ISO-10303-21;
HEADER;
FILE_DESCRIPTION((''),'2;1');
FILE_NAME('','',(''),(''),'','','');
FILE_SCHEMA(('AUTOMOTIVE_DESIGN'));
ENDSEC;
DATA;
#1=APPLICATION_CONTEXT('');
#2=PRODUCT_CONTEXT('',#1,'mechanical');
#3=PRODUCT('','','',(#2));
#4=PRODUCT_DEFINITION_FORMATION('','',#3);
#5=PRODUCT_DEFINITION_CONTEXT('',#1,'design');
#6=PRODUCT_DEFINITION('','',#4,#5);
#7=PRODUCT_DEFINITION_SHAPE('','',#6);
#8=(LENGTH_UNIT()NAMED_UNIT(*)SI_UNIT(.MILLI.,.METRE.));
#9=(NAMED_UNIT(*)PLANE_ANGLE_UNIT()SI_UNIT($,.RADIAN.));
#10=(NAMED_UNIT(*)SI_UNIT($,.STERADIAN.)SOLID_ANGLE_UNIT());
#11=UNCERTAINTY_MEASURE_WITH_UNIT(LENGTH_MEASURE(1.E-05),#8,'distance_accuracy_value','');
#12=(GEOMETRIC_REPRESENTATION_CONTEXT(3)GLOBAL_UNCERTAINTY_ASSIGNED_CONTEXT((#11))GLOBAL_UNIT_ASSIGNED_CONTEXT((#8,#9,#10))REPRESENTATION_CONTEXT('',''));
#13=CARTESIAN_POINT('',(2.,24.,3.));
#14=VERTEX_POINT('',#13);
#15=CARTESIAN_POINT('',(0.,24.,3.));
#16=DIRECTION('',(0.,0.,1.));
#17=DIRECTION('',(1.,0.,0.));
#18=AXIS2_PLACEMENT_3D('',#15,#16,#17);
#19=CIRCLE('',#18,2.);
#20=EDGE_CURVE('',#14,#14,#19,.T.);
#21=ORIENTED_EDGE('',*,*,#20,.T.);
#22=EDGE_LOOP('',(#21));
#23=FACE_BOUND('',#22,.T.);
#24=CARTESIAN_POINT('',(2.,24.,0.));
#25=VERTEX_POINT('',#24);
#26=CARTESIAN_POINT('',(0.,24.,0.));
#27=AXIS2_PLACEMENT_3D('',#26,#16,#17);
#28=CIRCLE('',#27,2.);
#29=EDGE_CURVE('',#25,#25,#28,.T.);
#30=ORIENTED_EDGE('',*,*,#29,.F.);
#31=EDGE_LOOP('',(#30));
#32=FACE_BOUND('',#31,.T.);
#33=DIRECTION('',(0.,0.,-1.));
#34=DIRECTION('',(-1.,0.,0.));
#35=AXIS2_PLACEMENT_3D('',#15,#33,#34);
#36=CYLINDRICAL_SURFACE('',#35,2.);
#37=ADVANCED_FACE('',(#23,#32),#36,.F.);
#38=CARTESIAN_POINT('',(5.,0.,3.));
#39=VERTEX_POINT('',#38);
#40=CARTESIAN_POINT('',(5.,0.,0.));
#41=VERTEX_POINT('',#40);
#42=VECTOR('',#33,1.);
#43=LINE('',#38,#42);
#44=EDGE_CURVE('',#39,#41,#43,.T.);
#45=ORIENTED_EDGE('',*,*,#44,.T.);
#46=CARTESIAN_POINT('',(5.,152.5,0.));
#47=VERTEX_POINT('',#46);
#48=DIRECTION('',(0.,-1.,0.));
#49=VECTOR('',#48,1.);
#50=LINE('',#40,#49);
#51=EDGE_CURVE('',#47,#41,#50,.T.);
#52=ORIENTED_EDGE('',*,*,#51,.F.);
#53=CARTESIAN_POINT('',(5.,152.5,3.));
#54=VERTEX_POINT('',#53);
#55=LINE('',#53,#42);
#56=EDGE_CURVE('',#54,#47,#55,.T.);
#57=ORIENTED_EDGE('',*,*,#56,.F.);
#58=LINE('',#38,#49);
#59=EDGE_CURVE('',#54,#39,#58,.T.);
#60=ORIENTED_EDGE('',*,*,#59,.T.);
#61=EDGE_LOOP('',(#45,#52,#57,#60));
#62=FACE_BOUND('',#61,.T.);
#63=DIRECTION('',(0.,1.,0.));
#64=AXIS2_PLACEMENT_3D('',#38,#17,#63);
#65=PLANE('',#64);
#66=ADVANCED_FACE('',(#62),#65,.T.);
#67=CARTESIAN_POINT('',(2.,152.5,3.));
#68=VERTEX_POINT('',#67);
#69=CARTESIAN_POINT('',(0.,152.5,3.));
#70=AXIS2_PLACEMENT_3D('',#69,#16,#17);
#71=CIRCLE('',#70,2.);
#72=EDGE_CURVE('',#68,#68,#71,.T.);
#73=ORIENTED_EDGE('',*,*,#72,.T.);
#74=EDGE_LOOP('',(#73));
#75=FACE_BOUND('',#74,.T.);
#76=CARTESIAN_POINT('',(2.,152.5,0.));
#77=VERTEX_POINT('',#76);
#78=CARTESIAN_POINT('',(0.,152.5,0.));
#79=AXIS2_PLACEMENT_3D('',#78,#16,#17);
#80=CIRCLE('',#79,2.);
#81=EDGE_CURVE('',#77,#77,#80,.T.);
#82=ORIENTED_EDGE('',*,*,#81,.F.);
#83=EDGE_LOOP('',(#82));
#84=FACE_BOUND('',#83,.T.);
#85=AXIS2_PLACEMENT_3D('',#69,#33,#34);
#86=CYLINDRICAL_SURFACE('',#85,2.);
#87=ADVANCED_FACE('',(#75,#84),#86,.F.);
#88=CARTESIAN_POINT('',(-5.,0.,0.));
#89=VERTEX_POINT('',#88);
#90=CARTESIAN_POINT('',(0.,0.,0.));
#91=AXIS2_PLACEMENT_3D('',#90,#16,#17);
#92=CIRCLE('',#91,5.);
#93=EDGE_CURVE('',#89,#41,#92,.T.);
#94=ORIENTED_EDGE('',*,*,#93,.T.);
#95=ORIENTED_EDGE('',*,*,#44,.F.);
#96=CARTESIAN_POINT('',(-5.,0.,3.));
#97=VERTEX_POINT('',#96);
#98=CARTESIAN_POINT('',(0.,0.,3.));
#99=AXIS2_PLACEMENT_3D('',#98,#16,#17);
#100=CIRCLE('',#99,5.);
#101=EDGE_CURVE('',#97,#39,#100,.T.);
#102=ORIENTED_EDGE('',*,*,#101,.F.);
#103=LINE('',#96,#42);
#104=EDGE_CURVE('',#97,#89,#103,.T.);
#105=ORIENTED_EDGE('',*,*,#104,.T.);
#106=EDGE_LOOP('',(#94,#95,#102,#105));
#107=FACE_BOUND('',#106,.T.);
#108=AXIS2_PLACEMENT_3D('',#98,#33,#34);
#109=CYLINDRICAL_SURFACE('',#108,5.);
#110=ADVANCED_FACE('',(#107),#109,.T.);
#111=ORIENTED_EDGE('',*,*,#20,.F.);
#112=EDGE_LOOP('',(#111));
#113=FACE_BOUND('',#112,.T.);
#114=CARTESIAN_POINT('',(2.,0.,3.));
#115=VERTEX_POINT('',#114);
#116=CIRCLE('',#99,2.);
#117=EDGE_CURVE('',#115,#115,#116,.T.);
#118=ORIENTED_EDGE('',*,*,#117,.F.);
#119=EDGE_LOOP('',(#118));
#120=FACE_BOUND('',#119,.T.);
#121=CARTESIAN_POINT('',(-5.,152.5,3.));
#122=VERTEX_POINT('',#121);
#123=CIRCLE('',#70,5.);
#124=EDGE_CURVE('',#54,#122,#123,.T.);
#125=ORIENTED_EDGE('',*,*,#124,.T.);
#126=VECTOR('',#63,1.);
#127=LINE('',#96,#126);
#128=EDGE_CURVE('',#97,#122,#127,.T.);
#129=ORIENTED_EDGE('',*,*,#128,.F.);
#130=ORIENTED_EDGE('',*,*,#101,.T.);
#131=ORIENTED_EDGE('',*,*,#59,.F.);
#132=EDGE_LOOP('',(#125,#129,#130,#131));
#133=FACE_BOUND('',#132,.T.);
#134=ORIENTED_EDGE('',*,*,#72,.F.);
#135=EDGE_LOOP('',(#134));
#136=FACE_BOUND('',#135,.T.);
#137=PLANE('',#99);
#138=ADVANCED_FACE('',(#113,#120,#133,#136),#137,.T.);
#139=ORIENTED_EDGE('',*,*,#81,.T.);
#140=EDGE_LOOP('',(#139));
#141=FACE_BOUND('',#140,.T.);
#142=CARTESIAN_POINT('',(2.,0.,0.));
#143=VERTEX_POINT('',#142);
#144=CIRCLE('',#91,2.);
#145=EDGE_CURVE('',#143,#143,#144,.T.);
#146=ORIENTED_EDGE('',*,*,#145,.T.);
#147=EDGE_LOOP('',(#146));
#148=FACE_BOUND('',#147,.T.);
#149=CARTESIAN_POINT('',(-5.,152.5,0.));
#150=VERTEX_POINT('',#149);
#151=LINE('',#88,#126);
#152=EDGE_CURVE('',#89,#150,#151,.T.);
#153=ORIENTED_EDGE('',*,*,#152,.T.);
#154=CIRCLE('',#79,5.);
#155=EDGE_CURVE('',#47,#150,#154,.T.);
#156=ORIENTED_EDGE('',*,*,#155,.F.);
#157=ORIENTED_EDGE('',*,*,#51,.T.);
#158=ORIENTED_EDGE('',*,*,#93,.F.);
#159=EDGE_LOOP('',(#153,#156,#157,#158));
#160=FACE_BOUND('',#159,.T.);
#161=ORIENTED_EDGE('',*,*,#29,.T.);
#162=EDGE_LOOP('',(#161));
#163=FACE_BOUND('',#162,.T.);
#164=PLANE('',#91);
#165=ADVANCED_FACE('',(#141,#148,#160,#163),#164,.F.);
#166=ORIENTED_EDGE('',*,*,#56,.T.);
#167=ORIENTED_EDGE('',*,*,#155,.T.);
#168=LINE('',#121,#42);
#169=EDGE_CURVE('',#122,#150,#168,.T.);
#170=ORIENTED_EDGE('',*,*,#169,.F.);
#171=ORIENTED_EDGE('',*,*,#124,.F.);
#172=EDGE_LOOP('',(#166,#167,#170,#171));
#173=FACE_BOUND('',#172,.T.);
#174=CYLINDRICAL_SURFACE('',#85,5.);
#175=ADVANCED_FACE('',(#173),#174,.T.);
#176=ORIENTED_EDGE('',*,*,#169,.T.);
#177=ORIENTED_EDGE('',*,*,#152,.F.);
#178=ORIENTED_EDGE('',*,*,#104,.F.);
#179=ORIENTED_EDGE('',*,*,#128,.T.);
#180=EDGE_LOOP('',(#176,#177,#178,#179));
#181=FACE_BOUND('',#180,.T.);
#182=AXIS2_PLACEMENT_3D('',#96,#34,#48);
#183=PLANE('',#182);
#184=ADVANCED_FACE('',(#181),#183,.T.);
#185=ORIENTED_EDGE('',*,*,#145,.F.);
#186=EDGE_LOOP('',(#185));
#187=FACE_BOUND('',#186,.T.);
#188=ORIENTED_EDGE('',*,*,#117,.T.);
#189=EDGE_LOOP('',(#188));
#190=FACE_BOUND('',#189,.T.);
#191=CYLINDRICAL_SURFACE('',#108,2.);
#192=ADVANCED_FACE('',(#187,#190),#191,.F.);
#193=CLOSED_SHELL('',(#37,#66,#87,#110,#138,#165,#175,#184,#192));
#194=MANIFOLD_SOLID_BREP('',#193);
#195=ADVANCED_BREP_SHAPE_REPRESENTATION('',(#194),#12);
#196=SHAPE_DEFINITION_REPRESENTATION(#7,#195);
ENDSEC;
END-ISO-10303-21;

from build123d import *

# Parameters (mm, degrees)
SKETCH1_R           = 2
SKETCH1_R_2         = 5
BOSS_EXTRUDE1_DEPTH = 3


with BuildPart() as part:
    # Sketch1 → Boss-Extrude1 (new body)
    # profile 1 of 3: a face of its own
    with BuildSketch(Plane.XY):
        with BuildLine():
            Line((-5, 152.5), (-5, 0))
            ThreePointArc((-5, 0), (0, 5), (5, 0))
            Line((5, 0), (5, 152.5))
            ThreePointArc((5, 152.5), (0, 147.5), (-5, 152.5))
        make_face()
        with Locations((0, 24)):
            Circle(SKETCH1_R, mode=Mode.SUBTRACT)
    # profile 2 of 3: a face of its own
    with BuildSketch(Plane.XY):
        with Locations((0, 152.5)):
            Circle(SKETCH1_R_2)
        with Locations((0, 152.5)):
            Circle(SKETCH1_R, mode=Mode.SUBTRACT)
    # profile 3 of 3: a face of its own
    with BuildSketch(Plane.XY):
        Circle(SKETCH1_R_2)
        Circle(SKETCH1_R, mode=Mode.SUBTRACT)
    extrude(amount=BOSS_EXTRUDE1_DEPTH)


solid = part.part
